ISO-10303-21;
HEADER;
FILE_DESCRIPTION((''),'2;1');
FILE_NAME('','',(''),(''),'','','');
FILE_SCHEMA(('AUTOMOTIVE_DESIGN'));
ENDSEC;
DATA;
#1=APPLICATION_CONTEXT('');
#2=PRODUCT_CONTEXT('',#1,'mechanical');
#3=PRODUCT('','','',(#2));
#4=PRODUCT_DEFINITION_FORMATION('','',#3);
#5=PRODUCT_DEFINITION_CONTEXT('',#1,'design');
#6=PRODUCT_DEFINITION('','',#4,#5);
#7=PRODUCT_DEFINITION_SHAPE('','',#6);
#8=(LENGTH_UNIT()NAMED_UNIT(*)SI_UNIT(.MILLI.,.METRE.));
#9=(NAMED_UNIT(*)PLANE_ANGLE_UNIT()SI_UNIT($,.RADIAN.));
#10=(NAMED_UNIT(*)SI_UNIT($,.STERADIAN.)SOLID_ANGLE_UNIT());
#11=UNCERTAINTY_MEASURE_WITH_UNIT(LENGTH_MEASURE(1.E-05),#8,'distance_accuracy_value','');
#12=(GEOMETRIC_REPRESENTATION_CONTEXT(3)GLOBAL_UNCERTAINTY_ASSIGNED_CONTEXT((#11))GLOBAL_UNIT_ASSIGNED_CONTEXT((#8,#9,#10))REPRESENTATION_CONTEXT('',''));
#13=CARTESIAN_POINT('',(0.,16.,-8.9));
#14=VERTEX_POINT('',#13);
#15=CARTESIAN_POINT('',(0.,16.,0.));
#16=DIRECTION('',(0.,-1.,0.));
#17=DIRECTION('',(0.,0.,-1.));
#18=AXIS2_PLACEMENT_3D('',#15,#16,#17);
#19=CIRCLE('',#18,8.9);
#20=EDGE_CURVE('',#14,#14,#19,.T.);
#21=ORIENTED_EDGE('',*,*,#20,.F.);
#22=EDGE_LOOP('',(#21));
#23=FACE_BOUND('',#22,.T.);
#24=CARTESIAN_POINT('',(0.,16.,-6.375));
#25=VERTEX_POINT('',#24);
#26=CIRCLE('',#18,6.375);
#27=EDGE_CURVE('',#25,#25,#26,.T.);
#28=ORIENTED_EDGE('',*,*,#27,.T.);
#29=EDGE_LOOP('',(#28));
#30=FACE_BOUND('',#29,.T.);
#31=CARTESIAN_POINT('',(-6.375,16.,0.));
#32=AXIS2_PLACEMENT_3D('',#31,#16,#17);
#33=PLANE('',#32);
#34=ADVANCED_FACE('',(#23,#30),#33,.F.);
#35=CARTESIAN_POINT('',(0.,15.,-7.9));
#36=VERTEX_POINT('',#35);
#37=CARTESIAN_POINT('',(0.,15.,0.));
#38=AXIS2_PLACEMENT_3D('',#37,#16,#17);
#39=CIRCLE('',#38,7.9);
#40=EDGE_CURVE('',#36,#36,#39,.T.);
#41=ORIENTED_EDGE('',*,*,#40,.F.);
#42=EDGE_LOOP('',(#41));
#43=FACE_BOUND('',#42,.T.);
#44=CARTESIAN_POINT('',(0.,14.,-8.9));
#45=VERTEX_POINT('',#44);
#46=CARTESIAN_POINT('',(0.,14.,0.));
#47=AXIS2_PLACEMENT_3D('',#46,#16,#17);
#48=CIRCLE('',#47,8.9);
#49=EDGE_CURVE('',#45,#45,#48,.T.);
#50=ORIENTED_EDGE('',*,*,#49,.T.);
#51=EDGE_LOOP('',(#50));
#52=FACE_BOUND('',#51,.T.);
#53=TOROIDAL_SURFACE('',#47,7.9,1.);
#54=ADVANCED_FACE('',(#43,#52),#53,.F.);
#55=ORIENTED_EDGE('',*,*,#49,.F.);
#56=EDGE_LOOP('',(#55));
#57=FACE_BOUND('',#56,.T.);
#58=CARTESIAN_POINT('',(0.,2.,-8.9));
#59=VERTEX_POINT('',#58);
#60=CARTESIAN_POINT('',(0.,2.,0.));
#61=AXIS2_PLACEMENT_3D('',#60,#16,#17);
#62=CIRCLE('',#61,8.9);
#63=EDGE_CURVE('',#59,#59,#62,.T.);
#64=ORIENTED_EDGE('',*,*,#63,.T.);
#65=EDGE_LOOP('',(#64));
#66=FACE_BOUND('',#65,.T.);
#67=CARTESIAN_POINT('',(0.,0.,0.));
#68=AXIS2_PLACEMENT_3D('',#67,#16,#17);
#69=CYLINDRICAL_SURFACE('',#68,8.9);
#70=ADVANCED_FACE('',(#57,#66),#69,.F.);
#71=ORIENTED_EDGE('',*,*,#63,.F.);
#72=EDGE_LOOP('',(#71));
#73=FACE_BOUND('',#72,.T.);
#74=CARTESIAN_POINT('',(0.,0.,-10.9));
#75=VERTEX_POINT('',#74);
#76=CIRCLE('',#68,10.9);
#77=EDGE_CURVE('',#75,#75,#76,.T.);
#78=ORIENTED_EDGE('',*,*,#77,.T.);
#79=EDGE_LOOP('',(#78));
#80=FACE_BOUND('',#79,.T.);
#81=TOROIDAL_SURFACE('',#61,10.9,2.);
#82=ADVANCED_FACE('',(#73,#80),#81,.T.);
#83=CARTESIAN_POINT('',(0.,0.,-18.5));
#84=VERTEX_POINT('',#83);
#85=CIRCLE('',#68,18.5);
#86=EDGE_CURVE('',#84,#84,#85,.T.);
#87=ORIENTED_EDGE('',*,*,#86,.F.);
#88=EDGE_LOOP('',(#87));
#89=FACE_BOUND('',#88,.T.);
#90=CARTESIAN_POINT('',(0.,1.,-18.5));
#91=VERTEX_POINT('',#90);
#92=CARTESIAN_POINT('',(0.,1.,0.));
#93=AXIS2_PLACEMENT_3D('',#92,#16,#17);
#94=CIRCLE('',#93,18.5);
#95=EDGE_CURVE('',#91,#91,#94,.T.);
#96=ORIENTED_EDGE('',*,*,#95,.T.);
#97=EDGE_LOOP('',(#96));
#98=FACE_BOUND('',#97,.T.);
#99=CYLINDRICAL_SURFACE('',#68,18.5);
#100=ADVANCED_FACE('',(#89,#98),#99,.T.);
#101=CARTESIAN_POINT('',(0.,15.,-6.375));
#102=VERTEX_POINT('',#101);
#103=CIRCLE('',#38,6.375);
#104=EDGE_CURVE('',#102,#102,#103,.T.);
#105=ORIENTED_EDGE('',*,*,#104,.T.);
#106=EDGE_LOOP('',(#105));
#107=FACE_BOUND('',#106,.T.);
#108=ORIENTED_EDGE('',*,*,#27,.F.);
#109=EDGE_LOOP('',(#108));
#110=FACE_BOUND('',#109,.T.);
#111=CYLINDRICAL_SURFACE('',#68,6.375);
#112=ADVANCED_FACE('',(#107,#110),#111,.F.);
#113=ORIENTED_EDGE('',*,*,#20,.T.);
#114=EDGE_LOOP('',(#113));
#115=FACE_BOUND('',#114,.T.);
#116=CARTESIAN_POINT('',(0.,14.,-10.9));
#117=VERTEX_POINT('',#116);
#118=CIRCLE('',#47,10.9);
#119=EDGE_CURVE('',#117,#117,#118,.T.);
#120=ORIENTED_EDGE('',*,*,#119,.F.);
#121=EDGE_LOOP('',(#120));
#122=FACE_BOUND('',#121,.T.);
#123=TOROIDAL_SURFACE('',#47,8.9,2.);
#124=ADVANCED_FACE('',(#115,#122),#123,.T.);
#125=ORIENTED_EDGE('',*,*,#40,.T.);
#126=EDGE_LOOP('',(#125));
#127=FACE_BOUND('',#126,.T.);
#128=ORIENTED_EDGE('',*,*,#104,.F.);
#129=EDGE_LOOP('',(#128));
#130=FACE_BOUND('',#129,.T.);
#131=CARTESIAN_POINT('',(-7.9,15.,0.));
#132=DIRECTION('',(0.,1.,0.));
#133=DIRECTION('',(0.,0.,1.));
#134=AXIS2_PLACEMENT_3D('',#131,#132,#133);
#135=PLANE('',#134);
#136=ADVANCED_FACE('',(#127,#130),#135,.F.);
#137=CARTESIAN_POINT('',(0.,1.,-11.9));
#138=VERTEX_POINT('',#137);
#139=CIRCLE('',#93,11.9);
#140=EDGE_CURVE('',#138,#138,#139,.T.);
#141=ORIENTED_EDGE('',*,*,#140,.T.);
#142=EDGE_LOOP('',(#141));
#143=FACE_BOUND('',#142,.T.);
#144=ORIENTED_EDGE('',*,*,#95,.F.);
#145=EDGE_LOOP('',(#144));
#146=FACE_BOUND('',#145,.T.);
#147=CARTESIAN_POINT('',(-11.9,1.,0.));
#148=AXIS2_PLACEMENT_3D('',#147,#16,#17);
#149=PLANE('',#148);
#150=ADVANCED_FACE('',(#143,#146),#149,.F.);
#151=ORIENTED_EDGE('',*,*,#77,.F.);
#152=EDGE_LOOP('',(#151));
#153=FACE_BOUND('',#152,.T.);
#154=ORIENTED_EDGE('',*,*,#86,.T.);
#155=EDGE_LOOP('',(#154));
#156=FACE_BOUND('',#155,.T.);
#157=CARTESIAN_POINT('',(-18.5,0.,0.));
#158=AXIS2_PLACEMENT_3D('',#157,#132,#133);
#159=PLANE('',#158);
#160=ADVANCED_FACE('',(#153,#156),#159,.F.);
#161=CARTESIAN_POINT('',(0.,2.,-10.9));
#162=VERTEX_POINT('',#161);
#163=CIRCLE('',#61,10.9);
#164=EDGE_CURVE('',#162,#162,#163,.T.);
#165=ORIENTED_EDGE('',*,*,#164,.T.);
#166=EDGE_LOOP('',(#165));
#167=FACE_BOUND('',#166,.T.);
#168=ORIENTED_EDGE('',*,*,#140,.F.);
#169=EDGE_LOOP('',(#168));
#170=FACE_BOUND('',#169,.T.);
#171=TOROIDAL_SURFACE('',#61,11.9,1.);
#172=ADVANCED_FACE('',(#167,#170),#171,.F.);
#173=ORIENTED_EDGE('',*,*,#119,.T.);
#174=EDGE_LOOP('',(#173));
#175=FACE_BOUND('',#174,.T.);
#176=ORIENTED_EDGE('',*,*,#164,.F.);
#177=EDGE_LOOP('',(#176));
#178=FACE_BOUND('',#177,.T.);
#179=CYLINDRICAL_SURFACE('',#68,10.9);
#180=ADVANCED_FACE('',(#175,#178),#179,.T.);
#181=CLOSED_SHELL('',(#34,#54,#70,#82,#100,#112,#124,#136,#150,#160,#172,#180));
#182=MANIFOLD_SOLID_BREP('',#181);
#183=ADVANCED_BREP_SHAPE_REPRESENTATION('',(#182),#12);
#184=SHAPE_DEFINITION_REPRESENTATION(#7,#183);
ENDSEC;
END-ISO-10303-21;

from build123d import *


with BuildPart() as part:
    # Sketch1 → Revolve1 (revolve)
    with BuildSketch(Plane.XY):
        with BuildLine():
            Line((-18.5, 0), (-10.9, 0))
            ThreePointArc((-10.9, 0), (-9.485786438, 0.585786438), (-8.9, 2))
            Line((-8.9, 2), (-8.9, 14))
            ThreePointArc((-8.9, 14), (-8.607106781, 14.707106781), (-7.9, 15))
            Line((-7.9, 15), (-6.375, 15))
            Line((-6.375, 15), (-6.375, 16))
            Line((-6.375, 16), (-8.9, 16))
            ThreePointArc((-8.9, 16), (-10.314213562, 15.414213562), (-10.9, 14))
            Line((-10.9, 14), (-10.9, 2))
            ThreePointArc((-10.9, 2), (-11.192893219, 1.292893219), (-11.9, 1))
            Line((-11.9, 1), (-18.5, 1))
            Line((-18.5, 1), (-18.5, 0))
        make_face()
    revolve(axis=Axis((0, 0, 0), (0, 1, 0)))


solid = part.part
